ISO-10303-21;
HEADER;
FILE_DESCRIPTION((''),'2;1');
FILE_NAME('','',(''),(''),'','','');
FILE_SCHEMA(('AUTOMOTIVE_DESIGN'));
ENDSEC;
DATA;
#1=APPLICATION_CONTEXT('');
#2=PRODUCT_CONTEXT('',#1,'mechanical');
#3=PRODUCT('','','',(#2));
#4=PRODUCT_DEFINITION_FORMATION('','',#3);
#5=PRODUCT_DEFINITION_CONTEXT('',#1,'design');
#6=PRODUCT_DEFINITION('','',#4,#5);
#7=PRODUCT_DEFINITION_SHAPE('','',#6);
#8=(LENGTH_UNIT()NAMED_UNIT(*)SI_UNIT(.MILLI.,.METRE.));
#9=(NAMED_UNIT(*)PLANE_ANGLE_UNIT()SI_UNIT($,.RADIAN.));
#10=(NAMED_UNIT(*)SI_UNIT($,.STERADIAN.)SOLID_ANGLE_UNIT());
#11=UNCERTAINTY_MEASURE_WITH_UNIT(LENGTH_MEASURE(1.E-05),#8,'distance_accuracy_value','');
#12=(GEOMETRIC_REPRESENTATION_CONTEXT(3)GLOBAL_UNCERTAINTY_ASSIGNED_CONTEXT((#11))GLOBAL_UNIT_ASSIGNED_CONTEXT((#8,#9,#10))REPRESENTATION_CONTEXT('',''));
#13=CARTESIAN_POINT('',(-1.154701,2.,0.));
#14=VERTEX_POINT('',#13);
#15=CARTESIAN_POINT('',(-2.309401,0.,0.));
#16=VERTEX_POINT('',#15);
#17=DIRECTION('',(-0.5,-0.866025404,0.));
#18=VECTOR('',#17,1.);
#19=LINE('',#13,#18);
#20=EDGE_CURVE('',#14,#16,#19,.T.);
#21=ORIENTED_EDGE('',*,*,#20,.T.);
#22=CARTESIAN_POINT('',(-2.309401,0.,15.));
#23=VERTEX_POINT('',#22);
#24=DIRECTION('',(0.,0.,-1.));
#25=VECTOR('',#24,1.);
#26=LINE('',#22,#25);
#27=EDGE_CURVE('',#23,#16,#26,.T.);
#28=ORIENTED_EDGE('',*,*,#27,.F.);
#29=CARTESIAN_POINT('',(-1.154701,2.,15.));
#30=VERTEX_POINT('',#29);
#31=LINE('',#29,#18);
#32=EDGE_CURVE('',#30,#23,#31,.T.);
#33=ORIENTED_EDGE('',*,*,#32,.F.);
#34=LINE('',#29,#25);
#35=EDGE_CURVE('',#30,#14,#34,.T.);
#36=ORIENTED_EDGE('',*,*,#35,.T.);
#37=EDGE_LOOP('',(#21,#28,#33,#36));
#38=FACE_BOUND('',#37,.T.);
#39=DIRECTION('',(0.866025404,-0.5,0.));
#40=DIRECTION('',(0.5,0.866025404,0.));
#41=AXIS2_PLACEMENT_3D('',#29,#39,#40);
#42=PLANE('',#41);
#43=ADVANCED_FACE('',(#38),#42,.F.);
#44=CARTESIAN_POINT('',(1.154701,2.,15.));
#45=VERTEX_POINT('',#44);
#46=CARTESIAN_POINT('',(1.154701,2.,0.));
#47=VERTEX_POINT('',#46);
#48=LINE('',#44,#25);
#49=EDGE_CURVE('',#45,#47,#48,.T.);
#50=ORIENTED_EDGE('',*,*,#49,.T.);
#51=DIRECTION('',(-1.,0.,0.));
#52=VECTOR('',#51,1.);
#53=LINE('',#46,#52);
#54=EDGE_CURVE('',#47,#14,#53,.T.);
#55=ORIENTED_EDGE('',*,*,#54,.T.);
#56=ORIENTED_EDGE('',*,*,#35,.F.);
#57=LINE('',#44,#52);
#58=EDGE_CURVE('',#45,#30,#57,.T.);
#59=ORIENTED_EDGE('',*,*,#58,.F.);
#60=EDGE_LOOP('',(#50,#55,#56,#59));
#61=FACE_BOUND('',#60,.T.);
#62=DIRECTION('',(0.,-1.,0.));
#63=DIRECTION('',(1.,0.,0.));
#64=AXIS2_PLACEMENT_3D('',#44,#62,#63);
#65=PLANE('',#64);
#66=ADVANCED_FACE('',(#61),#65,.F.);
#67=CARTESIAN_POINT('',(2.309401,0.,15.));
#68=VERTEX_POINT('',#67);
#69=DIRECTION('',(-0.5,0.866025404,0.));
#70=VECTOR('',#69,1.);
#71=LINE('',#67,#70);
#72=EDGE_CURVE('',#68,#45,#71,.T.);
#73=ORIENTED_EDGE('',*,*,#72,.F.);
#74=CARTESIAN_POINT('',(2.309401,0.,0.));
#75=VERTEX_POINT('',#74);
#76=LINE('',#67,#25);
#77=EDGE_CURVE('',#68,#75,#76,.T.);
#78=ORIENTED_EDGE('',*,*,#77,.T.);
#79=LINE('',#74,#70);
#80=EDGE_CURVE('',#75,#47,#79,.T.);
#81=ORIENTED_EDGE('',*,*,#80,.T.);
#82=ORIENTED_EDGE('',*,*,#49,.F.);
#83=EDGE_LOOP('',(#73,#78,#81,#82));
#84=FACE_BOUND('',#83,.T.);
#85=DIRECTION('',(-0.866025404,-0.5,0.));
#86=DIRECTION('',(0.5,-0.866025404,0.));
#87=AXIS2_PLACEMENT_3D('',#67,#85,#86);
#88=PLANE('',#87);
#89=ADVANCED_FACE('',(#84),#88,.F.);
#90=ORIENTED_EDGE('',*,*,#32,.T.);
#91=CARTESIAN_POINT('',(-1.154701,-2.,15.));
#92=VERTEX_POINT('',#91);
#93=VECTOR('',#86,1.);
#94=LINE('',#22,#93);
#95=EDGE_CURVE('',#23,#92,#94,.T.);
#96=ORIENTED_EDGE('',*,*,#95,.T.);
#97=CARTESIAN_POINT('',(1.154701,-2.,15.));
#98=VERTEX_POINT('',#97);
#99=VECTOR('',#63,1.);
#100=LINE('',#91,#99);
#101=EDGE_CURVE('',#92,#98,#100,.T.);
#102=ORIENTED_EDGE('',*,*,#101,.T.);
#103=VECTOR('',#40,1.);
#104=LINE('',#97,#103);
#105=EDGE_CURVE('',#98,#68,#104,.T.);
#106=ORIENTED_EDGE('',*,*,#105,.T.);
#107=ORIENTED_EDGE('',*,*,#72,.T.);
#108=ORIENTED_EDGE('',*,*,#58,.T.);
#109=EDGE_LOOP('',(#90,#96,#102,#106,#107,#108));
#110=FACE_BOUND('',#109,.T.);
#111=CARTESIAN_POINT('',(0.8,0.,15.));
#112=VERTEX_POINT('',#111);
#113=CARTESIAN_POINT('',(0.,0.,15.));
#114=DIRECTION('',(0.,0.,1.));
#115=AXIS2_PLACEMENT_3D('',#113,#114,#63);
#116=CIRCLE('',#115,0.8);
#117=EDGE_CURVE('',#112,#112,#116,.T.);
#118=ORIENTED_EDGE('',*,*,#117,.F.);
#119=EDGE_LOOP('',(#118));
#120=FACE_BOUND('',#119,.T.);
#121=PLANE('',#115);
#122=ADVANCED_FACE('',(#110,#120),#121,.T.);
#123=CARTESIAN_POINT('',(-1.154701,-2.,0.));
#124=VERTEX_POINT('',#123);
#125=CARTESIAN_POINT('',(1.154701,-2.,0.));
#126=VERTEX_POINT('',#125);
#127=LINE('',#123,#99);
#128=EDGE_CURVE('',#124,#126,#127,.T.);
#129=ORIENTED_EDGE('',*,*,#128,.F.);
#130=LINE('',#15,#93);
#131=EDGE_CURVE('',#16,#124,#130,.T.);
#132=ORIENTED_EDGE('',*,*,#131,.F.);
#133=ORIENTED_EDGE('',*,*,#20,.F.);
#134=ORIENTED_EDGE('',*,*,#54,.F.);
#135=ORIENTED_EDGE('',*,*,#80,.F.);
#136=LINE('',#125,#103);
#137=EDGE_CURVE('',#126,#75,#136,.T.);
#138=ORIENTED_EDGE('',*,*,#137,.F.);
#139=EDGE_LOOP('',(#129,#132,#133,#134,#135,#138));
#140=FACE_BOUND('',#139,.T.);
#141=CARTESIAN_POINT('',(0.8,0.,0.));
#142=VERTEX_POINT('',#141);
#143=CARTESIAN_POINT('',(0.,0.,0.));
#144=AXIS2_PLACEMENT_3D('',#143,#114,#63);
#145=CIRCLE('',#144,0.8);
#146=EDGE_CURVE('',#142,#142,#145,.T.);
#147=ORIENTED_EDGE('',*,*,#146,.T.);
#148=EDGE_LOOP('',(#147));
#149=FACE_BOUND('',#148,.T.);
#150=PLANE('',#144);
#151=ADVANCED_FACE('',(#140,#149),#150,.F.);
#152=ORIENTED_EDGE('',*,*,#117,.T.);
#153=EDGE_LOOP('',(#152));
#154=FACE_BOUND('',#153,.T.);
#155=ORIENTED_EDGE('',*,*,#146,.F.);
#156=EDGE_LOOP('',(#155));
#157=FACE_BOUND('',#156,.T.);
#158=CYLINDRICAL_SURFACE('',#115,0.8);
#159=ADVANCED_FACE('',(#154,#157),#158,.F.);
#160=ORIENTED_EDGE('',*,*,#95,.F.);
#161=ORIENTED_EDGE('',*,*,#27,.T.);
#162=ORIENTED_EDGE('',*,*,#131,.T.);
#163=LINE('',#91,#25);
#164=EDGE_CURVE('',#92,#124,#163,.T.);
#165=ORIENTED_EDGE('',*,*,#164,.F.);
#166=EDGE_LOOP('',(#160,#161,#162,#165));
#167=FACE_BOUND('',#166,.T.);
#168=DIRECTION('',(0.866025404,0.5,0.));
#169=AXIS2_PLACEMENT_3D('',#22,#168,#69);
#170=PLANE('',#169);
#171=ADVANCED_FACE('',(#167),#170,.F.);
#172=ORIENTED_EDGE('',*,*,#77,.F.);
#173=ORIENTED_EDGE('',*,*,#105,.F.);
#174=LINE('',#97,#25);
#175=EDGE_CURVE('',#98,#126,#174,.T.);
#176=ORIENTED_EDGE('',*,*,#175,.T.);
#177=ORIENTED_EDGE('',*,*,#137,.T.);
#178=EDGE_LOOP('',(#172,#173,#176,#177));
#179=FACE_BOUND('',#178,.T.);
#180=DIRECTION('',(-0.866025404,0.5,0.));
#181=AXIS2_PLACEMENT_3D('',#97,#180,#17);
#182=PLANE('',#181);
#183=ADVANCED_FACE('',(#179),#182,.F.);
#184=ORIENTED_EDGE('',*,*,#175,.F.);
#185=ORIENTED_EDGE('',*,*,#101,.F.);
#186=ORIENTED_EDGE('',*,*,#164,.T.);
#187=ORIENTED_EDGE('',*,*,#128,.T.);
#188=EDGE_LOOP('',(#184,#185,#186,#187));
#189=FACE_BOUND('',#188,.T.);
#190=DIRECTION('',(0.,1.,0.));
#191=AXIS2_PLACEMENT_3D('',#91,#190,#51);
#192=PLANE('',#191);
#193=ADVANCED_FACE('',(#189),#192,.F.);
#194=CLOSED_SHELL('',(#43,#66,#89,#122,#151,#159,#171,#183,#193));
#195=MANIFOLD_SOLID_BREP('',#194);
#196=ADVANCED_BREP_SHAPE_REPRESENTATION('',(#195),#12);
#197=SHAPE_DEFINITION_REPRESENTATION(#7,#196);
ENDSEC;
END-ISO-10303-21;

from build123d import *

# Parameters (mm, degrees)
EXTRUDE_1_DEPTH    = 15
HOLE_WIZARD_M2_1_D = 1.6


with BuildPart() as part:
    # 草图1 → 凸台-拉伸1 (new body)
    with BuildSketch(Plane.XY):
        Polygon((1.154700538, 2), (-1.154700538, 2), (-2.309401077, 0), (-1.154700538, -2), (1.154700538, -2), (2.309401077, 0), align=None)
    extrude(amount=EXTRUDE_1_DEPTH)

    # M2 螺纹孔1 (through all)
    with Locations(Plane.XY.offset(15)):
        with Locations((0, 0)):
            Hole(HOLE_WIZARD_M2_1_D / 2)


solid = part.part
